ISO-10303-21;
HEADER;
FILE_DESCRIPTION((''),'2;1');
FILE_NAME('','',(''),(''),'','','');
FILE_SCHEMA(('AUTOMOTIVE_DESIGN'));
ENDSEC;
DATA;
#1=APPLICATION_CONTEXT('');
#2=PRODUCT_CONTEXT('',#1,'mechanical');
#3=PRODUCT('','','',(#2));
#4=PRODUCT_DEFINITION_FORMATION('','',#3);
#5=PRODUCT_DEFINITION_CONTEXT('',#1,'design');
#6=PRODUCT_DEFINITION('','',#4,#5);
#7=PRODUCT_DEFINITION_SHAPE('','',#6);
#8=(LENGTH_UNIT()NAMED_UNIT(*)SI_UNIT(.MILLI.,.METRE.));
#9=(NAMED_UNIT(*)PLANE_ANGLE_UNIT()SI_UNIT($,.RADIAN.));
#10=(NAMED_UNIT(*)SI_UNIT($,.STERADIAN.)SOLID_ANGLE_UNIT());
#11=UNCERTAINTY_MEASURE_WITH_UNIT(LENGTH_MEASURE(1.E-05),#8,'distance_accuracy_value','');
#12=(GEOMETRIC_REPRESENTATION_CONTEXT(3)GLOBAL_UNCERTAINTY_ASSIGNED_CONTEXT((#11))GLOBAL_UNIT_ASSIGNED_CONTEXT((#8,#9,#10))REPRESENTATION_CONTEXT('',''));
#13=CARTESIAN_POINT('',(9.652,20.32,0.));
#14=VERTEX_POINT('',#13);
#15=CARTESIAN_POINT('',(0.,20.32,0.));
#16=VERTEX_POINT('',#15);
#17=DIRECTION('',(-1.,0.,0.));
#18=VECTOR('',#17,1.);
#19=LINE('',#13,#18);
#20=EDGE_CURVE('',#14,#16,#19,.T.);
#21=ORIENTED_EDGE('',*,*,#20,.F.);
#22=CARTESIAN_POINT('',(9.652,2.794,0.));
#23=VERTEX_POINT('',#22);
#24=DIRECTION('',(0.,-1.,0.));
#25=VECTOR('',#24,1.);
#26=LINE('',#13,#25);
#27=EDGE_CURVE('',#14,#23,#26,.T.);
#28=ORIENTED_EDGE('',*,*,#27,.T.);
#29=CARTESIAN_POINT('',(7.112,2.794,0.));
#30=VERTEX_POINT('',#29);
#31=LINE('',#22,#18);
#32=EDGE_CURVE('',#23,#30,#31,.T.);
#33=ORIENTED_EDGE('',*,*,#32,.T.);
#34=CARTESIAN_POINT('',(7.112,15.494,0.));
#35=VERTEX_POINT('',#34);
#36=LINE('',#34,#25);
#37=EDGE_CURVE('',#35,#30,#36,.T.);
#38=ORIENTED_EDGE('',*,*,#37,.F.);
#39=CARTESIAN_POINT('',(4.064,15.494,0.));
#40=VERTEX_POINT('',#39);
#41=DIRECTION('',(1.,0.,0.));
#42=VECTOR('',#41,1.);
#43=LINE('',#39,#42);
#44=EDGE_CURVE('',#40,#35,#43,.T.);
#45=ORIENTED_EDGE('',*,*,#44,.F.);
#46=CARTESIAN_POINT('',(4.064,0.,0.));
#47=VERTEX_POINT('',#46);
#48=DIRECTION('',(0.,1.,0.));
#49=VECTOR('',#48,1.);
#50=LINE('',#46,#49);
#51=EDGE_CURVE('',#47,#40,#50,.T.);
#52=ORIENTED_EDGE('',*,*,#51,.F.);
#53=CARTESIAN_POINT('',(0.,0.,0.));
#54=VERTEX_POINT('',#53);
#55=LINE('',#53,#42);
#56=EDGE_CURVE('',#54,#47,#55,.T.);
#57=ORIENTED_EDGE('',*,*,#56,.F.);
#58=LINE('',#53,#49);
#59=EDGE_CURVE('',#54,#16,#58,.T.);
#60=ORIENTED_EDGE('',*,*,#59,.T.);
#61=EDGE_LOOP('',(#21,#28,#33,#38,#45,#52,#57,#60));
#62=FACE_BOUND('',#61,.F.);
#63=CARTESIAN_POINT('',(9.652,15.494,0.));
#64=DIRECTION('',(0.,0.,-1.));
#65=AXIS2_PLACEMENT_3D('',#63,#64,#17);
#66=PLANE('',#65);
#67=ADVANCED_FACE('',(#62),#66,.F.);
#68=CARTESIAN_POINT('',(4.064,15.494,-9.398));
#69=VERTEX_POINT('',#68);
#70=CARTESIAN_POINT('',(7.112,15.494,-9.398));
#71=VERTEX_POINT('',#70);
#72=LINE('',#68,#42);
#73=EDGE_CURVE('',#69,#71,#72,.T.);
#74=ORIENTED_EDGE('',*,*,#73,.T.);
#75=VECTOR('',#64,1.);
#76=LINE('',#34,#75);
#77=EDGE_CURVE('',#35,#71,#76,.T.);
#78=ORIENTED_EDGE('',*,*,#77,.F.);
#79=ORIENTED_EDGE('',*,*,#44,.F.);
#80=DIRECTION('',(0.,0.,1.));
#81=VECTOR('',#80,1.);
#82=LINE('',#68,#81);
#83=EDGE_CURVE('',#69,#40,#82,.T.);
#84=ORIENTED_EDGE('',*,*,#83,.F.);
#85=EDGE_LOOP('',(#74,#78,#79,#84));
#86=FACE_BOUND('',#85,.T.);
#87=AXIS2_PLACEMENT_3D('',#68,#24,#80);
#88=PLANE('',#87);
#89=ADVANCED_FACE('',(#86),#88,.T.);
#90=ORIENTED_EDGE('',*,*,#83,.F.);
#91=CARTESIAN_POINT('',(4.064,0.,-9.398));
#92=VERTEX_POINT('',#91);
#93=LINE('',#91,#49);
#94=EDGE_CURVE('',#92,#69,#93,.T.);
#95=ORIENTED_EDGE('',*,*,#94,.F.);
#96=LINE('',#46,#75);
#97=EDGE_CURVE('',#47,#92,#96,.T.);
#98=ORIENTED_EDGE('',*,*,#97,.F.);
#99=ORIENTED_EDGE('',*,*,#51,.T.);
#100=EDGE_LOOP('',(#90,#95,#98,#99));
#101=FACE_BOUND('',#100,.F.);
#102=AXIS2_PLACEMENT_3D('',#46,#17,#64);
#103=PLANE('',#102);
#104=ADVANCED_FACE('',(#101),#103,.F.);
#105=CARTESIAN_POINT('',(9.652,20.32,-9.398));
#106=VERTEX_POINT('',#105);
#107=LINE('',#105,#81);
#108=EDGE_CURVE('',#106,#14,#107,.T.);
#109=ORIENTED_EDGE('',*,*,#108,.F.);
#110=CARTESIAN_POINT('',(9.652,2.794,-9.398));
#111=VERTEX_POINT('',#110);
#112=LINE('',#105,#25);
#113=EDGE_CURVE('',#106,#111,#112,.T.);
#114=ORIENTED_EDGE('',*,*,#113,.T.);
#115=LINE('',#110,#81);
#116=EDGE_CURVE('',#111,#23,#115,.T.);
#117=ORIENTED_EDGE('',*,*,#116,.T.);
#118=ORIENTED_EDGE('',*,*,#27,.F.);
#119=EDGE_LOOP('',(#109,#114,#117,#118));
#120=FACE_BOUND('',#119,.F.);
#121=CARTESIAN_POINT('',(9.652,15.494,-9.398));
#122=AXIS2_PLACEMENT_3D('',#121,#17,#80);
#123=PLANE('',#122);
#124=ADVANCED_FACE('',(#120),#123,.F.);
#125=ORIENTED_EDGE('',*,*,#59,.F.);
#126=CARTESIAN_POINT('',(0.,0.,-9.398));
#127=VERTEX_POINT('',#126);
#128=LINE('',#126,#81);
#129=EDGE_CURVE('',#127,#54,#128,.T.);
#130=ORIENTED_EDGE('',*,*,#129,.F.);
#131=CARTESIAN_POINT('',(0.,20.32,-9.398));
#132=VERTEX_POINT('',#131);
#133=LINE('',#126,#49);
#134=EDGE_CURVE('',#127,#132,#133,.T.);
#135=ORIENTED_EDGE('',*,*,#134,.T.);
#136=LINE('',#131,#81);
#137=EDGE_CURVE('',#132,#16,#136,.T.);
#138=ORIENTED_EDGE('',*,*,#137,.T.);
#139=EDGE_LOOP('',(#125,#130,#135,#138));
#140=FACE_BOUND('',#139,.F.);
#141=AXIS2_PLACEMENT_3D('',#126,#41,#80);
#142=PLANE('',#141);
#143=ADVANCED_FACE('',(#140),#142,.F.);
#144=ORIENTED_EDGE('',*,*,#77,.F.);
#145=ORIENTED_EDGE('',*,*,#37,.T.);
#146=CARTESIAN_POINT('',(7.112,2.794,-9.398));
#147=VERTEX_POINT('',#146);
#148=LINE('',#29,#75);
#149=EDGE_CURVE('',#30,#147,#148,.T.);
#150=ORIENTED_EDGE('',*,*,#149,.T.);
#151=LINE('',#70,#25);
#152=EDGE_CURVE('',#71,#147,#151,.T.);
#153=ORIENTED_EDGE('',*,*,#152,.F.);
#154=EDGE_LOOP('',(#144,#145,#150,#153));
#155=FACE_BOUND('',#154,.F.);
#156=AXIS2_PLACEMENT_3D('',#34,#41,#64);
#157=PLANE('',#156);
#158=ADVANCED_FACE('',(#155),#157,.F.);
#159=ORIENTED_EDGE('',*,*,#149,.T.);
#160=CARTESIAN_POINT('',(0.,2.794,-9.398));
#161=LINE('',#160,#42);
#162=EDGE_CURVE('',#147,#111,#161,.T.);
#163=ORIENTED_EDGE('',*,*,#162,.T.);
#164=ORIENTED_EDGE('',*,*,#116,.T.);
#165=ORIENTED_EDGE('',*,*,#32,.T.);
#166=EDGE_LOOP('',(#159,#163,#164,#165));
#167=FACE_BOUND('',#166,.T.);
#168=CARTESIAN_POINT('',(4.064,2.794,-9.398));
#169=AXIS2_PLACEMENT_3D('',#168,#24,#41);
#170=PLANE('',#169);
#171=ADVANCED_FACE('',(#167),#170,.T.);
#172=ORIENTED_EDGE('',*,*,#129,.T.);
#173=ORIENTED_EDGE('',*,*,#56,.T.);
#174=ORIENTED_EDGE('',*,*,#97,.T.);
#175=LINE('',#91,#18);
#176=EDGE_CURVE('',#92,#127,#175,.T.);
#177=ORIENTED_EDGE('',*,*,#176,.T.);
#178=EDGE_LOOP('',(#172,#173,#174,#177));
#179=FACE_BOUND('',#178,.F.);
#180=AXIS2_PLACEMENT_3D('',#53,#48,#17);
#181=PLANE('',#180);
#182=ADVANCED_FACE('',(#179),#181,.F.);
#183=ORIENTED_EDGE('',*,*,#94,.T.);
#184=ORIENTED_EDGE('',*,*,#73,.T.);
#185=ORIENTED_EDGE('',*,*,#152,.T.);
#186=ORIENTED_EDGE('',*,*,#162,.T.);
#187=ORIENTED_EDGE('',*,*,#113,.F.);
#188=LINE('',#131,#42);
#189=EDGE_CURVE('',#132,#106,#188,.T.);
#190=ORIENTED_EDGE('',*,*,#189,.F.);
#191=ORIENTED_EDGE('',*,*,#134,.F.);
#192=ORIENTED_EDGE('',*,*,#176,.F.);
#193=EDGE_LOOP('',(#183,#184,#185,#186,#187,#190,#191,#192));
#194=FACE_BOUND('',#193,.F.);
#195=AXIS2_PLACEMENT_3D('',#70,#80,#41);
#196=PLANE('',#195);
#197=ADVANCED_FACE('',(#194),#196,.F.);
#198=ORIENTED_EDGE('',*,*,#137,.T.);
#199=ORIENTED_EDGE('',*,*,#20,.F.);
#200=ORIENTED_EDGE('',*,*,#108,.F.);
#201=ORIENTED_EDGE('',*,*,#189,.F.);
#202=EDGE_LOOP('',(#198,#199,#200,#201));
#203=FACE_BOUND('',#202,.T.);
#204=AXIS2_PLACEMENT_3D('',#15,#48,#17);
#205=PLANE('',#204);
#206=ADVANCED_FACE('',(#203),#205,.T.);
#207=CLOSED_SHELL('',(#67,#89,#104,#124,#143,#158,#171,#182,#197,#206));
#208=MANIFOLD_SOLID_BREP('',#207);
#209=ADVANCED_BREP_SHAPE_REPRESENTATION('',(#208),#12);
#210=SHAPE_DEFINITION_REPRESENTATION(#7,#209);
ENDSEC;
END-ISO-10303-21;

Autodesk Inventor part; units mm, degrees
ref_plane "YZ Plane" through (0, 0, 0) normal (1, 0, 0) x (0, 1, 0)
ref_plane "XZ Plane" through (0, 0, 0) normal (0, 1, 0) x (-1, 0, 0)
ref_plane "XY Plane" through (0, 0, 0) normal (0, 0, 1) x (1, 0, 0)
sketch "Sketch1" plane through (0, 0, 0) normal (0, 1, 0) x (-1, 0, 0)
  line L0 (0, 0) -> (-4.064, 0)
  line L1 (-4.064, 0) -> (-4.064, -9.398)
  line L2 (-4.064, -9.398) -> (0, -9.398)
  line L3 (0, -9.398) -> (0, 0)
  dimension "d0" = 4.064
  dimension "d1" = 9.398
extrude "Extrusion1" add sketch "Sketch1" along normal blind 20.32
sketch "Sketch3" plane through (4.064, 0, 0) normal (1, 0, 0) x (0, 0, -1)
  line L0 (9.398, 20.32) -> (0, 20.32) projected
  line L1 (9.398, 0) -> (9.398, 20.32) projected
  line L2 (0, 20.32) -> (9.398, 20.32)
  line L3 (9.398, 20.32) -> (9.398, 15.494)
  line L4 (9.398, 15.494) -> (0, 15.494)
  line L5 (0, 15.494) -> (0, 20.32)
  point P0 (0, 0)
  dimension "d5" = 4.826
extrude "Extrusion2" add sketch "Sketch3" along normal blind 5.588
sketch "Sketch4" plane through (4.064, 15.494, -9.398) normal (0, -1, 0) x (1, 0, 0)
  line L0 (5.588, 0) -> (5.588, 9.398) projected
  line L1 (-4.064, 0) -> (5.588, 0) projected
  line L2 (5.588, 9.398) -> (3.048, 9.398)
  line L3 (3.048, 9.398) -> (3.048, 0)
  line L4 (3.048, 0) -> (5.588, 0)
  line L5 (5.588, 0) -> (5.588, 9.398)
  point P0 (-4.064, 9.398)
  dimension "d8" = 2.54
extrude "Extrusion3" add sketch "Sketch4" along normal blind 12.7
properties part number "Mount Male"
